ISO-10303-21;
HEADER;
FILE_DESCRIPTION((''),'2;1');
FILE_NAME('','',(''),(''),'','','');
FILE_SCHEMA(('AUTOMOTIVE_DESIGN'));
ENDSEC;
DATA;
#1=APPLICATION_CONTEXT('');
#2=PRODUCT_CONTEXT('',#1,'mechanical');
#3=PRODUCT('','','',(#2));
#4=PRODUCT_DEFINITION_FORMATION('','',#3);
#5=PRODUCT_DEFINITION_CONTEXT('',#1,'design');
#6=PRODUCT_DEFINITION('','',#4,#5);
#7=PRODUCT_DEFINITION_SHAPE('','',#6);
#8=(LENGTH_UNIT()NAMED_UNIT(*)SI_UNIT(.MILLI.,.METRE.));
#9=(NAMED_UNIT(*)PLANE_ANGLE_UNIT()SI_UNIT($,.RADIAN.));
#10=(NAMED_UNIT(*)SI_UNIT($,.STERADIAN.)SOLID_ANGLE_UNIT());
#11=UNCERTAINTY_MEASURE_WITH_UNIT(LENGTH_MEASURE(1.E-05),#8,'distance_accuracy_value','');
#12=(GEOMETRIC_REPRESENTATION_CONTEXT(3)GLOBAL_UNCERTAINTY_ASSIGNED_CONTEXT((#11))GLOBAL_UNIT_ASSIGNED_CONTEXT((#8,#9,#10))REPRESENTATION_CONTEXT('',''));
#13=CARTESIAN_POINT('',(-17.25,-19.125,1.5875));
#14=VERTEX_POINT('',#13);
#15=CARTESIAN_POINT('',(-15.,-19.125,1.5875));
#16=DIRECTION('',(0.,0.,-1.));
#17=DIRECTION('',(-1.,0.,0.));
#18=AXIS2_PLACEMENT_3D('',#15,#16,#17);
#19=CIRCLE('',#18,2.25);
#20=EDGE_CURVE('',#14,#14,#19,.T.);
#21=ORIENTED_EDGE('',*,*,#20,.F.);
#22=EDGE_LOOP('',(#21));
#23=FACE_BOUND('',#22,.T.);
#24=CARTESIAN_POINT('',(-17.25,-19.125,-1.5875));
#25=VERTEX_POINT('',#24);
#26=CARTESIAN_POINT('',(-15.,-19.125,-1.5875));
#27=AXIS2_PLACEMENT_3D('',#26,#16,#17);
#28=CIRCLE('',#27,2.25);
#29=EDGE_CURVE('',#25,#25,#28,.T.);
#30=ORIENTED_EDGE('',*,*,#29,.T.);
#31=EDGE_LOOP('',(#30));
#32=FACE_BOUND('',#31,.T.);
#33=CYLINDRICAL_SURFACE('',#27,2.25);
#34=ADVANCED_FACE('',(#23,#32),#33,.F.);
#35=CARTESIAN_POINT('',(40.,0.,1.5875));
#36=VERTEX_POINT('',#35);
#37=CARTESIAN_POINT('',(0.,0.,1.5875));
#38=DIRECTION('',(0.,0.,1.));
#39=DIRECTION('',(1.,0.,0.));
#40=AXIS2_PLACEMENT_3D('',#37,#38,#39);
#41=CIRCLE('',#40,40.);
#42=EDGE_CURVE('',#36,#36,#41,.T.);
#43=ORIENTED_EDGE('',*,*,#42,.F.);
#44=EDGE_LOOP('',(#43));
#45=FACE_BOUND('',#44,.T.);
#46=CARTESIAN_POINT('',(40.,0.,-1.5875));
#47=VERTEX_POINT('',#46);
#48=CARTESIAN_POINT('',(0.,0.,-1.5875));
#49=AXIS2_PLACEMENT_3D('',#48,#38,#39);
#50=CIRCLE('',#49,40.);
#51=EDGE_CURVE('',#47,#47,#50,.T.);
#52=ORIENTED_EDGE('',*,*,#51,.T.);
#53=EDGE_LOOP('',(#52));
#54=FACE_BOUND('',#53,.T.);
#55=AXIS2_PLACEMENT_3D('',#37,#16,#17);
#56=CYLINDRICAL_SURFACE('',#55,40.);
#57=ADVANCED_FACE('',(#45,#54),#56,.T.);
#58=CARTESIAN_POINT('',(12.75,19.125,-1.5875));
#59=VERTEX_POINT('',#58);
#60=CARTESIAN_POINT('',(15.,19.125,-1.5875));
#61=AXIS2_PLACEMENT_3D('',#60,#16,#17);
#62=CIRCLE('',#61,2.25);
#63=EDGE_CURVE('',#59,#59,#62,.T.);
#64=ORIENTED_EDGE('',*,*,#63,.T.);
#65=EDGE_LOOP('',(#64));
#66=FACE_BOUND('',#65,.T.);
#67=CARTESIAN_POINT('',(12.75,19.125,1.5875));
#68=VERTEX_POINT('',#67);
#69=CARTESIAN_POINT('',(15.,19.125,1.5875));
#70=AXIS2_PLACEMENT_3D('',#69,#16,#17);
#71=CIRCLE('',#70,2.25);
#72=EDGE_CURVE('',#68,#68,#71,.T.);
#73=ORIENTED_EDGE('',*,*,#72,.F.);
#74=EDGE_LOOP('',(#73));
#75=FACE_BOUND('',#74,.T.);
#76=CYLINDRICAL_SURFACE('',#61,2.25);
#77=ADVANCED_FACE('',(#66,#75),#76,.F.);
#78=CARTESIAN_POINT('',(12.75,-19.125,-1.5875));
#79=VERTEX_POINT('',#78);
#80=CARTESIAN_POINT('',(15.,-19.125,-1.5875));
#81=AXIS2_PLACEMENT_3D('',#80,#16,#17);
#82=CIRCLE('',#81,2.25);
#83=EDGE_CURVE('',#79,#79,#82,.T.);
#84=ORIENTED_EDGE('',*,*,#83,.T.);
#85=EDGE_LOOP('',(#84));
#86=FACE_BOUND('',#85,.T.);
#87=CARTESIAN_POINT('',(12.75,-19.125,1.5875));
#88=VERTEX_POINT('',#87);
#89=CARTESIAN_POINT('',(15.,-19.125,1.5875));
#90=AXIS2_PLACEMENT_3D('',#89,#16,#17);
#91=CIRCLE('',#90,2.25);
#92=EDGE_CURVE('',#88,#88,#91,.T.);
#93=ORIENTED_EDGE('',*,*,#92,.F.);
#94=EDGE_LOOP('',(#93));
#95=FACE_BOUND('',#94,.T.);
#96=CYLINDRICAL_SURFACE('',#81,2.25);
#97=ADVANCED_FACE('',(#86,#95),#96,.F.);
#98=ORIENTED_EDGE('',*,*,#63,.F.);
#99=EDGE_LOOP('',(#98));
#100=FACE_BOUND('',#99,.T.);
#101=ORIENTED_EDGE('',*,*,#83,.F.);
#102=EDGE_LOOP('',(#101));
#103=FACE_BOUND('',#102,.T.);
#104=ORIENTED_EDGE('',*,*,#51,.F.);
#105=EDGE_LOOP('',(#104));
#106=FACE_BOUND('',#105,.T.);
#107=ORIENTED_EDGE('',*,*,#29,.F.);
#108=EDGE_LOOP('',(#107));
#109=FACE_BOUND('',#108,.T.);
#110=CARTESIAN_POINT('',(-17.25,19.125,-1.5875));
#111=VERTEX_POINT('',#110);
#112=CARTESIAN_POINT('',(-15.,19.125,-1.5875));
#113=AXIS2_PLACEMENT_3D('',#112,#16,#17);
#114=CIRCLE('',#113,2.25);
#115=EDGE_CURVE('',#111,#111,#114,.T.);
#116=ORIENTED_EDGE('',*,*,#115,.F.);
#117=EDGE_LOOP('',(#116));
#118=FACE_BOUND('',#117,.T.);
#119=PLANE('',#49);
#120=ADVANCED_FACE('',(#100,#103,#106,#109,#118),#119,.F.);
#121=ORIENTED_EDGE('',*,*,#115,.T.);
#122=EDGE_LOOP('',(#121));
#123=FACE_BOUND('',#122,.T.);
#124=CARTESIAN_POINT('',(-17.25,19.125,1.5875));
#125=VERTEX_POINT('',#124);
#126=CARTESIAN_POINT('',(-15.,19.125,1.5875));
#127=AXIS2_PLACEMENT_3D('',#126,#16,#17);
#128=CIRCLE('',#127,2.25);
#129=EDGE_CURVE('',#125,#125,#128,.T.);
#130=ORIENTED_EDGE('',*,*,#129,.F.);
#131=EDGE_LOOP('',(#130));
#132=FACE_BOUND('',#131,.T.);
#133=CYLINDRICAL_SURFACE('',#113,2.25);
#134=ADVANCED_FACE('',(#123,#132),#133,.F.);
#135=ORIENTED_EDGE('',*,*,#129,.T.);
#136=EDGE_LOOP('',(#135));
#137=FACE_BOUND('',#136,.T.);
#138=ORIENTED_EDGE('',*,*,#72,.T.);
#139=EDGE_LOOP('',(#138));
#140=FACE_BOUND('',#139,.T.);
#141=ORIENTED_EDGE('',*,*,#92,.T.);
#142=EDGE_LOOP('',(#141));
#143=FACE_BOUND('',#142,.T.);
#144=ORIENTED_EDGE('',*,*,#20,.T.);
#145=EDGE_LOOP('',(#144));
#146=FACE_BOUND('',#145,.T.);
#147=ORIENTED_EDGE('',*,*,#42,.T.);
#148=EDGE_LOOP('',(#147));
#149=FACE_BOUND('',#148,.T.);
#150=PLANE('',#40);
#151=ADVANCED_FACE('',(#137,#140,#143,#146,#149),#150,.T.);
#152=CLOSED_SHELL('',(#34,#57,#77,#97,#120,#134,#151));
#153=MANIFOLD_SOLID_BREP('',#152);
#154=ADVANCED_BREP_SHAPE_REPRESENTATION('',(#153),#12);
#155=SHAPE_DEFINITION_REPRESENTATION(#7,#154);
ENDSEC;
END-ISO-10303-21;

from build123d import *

# Parameters (mm, degrees)
SKETCH1_R            = 40
BOSS_EXTRUDE1_DEPTH  = 1.5875
M4_CLEARANCE_HOLE1_D = 4.5


with BuildPart() as part:
    # Sketch1 → Boss-Extrude1 (new body, symmetric)
    with BuildSketch(Plane.XY):
        Circle(SKETCH1_R)
    extrude(amount=BOSS_EXTRUDE1_DEPTH, both=True)

    # M4 Clearance Hole1 (through all)
    with Locations(Plane(origin=(0, 0, -1.5875), x_dir=(-1, 0, 0), z_dir=(0, 0, -1))):
        with Locations((15, 19.125), (-15, 19.125), (-15, -19.125), (15, -19.125)):
            Hole(M4_CLEARANCE_HOLE1_D / 2)


solid = part.part
